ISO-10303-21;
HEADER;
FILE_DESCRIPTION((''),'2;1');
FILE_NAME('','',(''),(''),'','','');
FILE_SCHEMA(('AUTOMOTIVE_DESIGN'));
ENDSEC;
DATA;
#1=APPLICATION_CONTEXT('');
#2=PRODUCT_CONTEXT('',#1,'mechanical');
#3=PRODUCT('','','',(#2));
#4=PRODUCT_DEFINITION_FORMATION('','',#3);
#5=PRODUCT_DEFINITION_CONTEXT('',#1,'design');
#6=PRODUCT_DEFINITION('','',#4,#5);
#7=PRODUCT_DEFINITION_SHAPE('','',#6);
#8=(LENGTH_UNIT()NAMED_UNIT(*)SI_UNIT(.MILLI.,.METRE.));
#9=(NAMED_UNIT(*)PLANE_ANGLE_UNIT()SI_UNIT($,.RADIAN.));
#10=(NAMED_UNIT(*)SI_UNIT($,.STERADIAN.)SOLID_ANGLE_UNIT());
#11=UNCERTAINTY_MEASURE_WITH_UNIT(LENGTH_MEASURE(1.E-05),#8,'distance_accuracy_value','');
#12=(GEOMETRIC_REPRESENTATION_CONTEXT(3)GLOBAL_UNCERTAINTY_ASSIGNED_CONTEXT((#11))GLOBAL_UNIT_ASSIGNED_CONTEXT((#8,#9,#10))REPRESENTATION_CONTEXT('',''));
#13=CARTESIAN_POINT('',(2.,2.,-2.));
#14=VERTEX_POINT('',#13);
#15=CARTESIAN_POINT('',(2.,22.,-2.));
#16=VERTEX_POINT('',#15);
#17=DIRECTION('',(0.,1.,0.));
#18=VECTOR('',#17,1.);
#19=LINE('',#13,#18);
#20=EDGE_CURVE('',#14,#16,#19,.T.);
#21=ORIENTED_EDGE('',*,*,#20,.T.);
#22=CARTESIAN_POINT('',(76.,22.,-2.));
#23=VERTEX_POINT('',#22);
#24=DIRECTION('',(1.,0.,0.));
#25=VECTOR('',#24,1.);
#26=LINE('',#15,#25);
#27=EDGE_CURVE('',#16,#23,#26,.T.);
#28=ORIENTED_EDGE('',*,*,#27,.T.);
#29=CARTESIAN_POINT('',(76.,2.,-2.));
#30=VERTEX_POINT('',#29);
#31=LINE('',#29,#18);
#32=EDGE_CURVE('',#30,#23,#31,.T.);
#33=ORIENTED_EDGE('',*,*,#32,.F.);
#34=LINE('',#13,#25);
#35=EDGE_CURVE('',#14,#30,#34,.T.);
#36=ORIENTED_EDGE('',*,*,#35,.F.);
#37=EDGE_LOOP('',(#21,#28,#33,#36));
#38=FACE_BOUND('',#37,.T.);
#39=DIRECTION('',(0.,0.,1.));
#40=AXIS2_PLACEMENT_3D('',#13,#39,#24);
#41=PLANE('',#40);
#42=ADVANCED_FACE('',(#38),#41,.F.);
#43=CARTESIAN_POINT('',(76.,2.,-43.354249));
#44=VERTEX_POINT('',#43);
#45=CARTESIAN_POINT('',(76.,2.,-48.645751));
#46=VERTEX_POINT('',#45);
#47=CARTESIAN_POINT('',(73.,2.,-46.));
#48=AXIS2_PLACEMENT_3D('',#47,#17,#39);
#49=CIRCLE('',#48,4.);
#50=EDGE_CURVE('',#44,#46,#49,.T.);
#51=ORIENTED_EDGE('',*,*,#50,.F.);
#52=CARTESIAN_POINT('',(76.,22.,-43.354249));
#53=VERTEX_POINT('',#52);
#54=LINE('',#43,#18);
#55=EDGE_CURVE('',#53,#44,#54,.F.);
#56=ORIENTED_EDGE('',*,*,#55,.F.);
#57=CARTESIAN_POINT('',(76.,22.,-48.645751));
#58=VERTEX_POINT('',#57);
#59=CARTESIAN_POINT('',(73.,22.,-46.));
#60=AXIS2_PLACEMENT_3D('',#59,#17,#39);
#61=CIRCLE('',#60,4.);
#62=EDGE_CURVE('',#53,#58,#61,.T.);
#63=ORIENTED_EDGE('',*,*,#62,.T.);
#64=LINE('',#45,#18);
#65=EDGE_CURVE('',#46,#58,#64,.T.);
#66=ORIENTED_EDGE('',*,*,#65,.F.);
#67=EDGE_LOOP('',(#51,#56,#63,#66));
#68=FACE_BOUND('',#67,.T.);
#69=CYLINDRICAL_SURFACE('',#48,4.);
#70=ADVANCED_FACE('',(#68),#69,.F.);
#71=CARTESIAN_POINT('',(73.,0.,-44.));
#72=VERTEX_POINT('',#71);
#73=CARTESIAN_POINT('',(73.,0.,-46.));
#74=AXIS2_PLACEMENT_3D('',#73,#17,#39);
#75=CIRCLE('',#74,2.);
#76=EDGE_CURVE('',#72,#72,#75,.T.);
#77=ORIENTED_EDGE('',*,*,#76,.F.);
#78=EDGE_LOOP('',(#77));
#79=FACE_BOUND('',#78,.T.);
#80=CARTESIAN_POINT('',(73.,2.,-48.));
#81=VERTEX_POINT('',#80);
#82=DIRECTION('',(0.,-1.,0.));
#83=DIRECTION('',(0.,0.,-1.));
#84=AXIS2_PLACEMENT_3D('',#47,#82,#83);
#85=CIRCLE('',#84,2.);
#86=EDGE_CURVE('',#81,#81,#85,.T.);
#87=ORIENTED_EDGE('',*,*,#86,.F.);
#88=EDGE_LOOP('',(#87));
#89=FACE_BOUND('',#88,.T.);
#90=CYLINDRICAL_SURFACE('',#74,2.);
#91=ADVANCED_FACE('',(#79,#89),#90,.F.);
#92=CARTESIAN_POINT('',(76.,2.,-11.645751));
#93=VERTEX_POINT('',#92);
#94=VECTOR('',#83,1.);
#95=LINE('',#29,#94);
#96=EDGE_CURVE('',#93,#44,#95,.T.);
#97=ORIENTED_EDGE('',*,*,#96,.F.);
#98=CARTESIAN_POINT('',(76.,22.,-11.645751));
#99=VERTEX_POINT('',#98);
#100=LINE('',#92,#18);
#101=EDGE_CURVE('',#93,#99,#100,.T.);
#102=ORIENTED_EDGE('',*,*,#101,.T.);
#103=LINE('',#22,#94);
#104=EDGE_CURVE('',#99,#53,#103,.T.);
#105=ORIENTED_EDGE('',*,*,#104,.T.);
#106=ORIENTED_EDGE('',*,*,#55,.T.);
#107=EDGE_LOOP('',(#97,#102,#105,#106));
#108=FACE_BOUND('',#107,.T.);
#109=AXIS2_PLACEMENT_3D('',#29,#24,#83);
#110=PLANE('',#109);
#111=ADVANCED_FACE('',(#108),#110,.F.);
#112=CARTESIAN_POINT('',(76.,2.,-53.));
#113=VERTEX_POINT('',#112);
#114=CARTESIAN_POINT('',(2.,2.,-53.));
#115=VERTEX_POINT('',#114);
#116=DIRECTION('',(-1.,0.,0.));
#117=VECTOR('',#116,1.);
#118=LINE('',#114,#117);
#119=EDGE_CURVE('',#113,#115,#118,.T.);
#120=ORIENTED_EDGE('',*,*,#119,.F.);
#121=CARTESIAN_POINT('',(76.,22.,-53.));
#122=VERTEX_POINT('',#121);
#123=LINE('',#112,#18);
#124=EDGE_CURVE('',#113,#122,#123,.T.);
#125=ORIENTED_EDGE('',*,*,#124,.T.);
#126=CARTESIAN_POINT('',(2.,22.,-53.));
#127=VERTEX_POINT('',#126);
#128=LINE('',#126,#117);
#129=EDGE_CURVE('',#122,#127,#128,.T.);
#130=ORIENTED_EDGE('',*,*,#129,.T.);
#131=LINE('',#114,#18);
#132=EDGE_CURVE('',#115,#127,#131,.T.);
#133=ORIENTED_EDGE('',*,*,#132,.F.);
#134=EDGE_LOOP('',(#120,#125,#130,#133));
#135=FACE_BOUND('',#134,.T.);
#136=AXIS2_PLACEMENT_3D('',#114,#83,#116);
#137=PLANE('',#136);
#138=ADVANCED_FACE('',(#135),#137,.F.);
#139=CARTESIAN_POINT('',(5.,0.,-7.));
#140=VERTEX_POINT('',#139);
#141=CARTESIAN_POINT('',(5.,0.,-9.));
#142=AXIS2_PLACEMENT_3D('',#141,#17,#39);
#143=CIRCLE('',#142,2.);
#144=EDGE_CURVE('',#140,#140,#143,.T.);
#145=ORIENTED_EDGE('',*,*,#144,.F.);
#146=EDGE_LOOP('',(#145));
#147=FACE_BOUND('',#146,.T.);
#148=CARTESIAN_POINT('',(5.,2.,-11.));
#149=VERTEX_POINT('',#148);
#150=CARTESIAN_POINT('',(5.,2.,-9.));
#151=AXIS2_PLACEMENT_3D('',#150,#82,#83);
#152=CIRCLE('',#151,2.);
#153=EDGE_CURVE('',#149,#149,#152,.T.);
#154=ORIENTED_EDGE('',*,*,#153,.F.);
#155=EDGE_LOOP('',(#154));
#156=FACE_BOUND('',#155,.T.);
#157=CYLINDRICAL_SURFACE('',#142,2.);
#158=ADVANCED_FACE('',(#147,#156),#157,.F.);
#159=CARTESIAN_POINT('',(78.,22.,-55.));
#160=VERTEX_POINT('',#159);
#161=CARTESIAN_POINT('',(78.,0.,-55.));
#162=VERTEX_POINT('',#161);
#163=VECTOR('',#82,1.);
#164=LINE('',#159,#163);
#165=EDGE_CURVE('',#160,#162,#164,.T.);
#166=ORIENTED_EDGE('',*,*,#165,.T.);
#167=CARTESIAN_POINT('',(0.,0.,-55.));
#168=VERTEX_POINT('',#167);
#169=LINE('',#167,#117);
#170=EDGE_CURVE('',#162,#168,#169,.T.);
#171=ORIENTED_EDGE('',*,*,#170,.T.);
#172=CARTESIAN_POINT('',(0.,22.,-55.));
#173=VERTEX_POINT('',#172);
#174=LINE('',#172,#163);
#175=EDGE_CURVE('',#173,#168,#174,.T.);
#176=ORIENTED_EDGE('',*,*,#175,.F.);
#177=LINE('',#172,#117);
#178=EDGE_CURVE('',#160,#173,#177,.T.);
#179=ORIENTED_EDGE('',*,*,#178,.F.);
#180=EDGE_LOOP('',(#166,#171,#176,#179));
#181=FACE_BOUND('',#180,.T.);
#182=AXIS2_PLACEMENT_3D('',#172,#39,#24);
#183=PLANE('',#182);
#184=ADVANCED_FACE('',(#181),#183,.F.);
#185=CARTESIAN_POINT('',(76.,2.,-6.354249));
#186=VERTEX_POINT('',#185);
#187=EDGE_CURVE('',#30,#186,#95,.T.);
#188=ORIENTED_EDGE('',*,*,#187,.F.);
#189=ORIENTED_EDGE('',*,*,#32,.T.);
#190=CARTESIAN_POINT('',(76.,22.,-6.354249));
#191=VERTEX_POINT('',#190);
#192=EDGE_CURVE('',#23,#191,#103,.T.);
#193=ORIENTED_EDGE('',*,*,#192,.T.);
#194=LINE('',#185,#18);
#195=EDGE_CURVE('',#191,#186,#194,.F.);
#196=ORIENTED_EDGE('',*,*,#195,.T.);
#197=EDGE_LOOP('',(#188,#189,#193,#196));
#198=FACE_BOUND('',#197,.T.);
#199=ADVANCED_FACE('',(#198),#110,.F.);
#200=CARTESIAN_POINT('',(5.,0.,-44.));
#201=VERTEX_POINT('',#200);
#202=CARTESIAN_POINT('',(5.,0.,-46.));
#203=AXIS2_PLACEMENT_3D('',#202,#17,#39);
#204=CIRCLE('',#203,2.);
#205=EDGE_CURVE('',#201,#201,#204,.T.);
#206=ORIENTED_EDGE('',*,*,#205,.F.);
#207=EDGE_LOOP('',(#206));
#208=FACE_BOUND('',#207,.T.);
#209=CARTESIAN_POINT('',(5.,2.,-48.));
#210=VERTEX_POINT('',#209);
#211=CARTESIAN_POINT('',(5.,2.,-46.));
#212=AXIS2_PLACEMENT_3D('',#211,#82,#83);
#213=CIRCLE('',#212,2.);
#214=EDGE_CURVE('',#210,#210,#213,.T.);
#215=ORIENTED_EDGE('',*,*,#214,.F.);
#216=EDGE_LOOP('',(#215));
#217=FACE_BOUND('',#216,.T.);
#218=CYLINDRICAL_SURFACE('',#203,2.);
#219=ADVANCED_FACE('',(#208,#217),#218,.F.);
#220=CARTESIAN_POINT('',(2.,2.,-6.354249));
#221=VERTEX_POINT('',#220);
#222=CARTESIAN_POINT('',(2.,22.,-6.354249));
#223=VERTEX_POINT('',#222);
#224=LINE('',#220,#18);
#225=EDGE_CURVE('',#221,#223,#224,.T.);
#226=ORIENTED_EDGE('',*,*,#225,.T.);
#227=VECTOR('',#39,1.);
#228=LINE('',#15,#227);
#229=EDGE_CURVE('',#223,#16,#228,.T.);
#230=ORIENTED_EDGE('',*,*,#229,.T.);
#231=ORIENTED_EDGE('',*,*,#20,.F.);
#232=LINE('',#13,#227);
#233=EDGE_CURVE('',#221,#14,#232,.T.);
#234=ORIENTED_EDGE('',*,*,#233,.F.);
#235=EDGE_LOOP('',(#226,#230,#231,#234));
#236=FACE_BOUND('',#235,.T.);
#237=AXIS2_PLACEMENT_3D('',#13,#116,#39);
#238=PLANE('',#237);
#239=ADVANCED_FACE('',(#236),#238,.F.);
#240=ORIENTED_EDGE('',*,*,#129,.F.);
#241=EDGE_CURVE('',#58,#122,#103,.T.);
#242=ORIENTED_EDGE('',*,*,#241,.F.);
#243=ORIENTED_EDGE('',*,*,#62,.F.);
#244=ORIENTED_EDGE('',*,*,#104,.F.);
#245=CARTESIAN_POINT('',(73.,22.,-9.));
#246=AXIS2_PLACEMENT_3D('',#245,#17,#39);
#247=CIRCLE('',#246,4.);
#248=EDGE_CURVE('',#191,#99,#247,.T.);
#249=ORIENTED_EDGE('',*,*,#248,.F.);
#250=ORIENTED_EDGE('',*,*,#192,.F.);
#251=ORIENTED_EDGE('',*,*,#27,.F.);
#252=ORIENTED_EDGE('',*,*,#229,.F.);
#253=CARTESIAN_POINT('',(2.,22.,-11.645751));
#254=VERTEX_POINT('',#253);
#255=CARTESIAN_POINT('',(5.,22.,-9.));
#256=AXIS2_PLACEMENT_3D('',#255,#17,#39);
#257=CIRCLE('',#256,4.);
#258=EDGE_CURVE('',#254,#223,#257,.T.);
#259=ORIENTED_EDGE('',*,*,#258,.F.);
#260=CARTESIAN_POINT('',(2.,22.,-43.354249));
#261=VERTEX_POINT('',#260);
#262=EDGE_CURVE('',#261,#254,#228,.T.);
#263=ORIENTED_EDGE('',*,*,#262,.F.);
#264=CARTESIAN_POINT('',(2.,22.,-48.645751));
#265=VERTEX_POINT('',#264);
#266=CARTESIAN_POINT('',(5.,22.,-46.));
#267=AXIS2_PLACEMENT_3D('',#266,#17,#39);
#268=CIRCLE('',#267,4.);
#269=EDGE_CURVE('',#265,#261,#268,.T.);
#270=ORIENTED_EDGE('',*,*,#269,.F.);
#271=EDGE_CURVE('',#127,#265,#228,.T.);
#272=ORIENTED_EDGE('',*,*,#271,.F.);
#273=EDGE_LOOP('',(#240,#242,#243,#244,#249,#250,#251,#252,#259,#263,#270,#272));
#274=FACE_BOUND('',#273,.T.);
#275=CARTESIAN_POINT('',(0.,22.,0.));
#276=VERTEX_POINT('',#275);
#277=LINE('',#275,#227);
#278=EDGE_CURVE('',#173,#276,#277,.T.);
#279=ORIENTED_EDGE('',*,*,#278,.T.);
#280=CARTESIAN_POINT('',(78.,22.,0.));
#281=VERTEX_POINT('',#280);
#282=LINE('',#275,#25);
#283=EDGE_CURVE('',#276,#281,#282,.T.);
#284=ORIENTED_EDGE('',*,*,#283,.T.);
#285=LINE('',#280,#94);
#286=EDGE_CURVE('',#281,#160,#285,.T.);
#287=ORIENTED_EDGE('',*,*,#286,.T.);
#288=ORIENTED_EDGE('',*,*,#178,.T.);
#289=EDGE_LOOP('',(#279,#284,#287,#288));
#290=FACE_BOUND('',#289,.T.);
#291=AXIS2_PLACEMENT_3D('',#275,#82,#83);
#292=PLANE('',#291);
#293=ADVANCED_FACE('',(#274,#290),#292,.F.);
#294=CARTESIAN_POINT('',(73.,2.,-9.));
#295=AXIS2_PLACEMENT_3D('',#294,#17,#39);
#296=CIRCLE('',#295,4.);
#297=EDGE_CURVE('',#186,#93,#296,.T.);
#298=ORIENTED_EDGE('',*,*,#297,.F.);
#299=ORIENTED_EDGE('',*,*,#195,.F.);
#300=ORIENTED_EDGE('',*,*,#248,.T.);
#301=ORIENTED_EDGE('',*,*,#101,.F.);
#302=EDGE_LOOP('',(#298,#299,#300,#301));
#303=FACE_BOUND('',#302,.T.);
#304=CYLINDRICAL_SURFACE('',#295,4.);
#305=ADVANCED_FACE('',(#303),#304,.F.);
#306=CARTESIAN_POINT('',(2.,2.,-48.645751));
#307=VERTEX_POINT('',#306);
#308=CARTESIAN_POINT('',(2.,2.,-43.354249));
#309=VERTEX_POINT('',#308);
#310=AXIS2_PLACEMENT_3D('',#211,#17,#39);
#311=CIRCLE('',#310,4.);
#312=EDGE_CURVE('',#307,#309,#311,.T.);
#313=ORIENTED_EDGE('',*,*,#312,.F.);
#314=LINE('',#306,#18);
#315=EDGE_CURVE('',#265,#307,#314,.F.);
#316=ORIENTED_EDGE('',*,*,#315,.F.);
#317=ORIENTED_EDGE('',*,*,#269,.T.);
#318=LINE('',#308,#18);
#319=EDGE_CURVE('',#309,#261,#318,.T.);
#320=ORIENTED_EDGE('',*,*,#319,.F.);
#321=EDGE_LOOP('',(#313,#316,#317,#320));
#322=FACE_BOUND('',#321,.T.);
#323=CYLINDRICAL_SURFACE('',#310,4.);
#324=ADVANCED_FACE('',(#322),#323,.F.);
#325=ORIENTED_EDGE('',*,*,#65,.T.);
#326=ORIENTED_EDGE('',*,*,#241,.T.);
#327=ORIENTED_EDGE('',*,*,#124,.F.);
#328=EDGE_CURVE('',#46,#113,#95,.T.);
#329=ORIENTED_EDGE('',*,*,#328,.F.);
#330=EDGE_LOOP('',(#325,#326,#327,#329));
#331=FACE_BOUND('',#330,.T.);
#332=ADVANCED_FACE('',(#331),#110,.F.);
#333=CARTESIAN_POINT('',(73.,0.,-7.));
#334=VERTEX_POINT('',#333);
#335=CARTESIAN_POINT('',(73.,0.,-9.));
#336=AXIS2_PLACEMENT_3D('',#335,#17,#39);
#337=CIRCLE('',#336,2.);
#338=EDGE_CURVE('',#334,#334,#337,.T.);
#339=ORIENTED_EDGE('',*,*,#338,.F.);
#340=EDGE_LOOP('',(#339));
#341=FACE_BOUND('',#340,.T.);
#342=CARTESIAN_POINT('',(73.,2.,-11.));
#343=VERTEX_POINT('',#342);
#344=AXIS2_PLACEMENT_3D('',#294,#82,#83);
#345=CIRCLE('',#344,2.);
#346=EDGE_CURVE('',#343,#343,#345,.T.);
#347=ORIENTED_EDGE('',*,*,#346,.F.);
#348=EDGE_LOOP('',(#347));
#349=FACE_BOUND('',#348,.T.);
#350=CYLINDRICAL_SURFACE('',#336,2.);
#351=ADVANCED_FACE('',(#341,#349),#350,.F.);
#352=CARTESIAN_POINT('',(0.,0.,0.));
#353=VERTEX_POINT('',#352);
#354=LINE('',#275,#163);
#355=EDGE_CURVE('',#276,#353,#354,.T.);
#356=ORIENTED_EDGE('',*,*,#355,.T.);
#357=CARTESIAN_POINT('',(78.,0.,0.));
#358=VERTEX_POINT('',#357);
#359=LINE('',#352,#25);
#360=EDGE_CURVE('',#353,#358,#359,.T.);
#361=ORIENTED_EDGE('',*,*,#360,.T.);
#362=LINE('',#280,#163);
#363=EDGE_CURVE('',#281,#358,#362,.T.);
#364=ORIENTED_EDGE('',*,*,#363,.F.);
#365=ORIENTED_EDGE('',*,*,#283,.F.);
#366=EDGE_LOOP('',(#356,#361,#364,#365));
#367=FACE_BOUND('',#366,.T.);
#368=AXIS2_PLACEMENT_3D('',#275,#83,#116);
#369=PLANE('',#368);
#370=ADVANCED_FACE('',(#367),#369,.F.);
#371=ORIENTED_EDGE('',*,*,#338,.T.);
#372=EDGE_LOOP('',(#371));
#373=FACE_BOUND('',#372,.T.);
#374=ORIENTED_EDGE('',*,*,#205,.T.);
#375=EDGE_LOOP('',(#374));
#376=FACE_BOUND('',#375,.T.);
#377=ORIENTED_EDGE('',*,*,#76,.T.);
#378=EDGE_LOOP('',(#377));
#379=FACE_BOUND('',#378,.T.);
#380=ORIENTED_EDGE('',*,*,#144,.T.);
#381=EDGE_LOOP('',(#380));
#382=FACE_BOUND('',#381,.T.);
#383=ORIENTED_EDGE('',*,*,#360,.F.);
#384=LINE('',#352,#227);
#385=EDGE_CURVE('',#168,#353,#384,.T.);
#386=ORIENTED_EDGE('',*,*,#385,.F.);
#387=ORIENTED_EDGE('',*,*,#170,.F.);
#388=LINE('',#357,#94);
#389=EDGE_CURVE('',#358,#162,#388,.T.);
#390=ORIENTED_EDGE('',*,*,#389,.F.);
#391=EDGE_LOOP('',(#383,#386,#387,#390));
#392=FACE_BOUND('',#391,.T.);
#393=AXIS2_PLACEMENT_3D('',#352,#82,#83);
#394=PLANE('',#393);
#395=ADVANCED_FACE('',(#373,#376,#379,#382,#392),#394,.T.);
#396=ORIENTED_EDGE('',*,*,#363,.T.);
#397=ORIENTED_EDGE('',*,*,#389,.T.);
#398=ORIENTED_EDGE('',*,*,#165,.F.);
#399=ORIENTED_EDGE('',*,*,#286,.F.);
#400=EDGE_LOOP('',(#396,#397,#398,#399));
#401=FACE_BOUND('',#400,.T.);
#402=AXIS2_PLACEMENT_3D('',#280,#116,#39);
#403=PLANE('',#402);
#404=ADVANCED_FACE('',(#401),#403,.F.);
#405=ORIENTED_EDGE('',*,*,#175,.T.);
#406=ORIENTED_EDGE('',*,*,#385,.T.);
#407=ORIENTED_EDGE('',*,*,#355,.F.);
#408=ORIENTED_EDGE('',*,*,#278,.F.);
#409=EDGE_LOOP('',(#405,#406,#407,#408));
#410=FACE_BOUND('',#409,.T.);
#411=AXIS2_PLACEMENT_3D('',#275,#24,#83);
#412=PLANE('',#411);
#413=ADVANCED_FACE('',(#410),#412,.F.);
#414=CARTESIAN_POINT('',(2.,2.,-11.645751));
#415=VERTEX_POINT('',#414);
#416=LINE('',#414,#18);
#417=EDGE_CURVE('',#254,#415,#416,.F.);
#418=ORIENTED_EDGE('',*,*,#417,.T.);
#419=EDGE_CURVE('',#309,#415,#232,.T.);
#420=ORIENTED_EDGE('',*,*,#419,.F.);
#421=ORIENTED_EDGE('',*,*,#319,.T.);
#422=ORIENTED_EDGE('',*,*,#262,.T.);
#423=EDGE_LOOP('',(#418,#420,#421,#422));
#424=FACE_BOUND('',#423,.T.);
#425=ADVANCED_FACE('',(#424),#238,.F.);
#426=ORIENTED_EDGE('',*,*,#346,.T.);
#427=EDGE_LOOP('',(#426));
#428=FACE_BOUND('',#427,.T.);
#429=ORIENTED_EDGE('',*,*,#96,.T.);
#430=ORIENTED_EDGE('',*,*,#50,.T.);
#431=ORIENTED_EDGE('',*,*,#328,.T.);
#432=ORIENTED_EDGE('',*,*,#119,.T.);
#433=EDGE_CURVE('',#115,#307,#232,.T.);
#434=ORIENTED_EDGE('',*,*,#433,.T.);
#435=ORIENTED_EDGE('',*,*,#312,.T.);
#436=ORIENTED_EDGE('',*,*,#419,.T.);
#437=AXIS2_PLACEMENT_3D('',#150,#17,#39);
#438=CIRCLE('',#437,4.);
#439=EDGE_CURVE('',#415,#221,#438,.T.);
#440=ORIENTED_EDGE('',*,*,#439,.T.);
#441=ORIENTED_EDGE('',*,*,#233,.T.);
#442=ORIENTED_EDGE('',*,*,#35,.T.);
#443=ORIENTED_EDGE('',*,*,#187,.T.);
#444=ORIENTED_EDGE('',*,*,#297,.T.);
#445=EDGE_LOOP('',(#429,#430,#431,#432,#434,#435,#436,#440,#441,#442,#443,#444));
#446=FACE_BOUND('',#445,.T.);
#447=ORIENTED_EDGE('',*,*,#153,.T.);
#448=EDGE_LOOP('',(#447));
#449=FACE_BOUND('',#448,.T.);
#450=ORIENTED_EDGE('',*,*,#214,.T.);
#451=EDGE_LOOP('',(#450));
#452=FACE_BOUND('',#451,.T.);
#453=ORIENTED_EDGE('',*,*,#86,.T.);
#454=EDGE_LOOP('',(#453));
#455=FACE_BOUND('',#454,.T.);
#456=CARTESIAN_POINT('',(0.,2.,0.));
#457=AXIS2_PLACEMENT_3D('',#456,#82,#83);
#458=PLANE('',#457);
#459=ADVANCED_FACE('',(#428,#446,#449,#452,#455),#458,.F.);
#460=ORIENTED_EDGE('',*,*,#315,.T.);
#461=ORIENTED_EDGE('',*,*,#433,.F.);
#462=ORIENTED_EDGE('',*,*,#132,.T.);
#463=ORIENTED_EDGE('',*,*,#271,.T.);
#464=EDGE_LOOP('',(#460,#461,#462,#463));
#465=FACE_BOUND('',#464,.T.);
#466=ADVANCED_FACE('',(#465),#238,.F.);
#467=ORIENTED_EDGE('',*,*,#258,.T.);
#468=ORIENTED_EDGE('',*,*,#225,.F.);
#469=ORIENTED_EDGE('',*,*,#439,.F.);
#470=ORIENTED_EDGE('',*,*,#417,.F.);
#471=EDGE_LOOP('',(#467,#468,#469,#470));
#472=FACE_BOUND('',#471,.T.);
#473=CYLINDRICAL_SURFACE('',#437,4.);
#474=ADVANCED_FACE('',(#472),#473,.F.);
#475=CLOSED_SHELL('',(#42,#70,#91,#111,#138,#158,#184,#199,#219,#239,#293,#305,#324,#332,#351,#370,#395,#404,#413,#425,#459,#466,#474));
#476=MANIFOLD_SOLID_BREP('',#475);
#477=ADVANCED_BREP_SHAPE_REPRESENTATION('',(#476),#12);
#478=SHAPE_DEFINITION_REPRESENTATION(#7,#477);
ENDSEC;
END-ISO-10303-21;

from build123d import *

# Parameters (mm, degrees)
SKETCH_1_W          = 78
SKETCH_1_H          = 55
EXTRUDE_1_DEPTH     = 22
SKETCH_2_W          = 74
SKETCH_2_H          = 51
CUT_EXTRUDE_1_DEPTH = 20
SKETCH_4_R          = 4
CUT_EXTRUDE_2_DEPTH = 20
SKETCH_5_R          = 2
CUT_EXTRUDE_4_DEPTH = 23


with BuildPart() as part:
    # 草图1 → 凸台-拉伸1 (new body)
    with BuildSketch(Plane(origin=(0, 0, 0), x_dir=(1, 0, 0), z_dir=(0, 1, 0))):
        with Locations((39, 27.5)):
            Rectangle(SKETCH_1_W, SKETCH_1_H)
    extrude(amount=EXTRUDE_1_DEPTH)

    # 草图2 → 切除-拉伸1 (cut)
    with BuildSketch(Plane(origin=(0, 22, 0), x_dir=(1, 0, 0), z_dir=(0, 1, 0))):
        with Locations((39, 27.5)):
            Rectangle(SKETCH_2_W, SKETCH_2_H)
    extrude(amount=-CUT_EXTRUDE_1_DEPTH, mode=Mode.SUBTRACT)

    # 草图4 → 切除-拉伸2 (cut)
    with BuildSketch(Plane(origin=(0, 22, 0), x_dir=(1, 0, 0), z_dir=(0, 1, 0))):
        with Locations((5, 9)):
            Circle(SKETCH_4_R)
        with Locations((5, 46)):
            Circle(SKETCH_4_R)
        with Locations((73, 46)):
            Circle(SKETCH_4_R)
        with Locations((73, 9)):
            Circle(SKETCH_4_R)
    extrude(amount=-CUT_EXTRUDE_2_DEPTH, mode=Mode.SUBTRACT)

    # 草图5 → 切除-拉伸4 (cut, through all)
    with BuildSketch(Plane(origin=(0, 22, 0), x_dir=(1, 0, 0), z_dir=(0, 1, 0))):
        with Locations((5, 9)):
            Circle(SKETCH_5_R)
        with Locations((5, 46)):
            Circle(SKETCH_5_R)
        with Locations((73, 46)):
            Circle(SKETCH_5_R)
        with Locations((73, 9)):
            Circle(SKETCH_5_R)
    extrude(amount=-CUT_EXTRUDE_4_DEPTH, mode=Mode.SUBTRACT)


solid = part.part
